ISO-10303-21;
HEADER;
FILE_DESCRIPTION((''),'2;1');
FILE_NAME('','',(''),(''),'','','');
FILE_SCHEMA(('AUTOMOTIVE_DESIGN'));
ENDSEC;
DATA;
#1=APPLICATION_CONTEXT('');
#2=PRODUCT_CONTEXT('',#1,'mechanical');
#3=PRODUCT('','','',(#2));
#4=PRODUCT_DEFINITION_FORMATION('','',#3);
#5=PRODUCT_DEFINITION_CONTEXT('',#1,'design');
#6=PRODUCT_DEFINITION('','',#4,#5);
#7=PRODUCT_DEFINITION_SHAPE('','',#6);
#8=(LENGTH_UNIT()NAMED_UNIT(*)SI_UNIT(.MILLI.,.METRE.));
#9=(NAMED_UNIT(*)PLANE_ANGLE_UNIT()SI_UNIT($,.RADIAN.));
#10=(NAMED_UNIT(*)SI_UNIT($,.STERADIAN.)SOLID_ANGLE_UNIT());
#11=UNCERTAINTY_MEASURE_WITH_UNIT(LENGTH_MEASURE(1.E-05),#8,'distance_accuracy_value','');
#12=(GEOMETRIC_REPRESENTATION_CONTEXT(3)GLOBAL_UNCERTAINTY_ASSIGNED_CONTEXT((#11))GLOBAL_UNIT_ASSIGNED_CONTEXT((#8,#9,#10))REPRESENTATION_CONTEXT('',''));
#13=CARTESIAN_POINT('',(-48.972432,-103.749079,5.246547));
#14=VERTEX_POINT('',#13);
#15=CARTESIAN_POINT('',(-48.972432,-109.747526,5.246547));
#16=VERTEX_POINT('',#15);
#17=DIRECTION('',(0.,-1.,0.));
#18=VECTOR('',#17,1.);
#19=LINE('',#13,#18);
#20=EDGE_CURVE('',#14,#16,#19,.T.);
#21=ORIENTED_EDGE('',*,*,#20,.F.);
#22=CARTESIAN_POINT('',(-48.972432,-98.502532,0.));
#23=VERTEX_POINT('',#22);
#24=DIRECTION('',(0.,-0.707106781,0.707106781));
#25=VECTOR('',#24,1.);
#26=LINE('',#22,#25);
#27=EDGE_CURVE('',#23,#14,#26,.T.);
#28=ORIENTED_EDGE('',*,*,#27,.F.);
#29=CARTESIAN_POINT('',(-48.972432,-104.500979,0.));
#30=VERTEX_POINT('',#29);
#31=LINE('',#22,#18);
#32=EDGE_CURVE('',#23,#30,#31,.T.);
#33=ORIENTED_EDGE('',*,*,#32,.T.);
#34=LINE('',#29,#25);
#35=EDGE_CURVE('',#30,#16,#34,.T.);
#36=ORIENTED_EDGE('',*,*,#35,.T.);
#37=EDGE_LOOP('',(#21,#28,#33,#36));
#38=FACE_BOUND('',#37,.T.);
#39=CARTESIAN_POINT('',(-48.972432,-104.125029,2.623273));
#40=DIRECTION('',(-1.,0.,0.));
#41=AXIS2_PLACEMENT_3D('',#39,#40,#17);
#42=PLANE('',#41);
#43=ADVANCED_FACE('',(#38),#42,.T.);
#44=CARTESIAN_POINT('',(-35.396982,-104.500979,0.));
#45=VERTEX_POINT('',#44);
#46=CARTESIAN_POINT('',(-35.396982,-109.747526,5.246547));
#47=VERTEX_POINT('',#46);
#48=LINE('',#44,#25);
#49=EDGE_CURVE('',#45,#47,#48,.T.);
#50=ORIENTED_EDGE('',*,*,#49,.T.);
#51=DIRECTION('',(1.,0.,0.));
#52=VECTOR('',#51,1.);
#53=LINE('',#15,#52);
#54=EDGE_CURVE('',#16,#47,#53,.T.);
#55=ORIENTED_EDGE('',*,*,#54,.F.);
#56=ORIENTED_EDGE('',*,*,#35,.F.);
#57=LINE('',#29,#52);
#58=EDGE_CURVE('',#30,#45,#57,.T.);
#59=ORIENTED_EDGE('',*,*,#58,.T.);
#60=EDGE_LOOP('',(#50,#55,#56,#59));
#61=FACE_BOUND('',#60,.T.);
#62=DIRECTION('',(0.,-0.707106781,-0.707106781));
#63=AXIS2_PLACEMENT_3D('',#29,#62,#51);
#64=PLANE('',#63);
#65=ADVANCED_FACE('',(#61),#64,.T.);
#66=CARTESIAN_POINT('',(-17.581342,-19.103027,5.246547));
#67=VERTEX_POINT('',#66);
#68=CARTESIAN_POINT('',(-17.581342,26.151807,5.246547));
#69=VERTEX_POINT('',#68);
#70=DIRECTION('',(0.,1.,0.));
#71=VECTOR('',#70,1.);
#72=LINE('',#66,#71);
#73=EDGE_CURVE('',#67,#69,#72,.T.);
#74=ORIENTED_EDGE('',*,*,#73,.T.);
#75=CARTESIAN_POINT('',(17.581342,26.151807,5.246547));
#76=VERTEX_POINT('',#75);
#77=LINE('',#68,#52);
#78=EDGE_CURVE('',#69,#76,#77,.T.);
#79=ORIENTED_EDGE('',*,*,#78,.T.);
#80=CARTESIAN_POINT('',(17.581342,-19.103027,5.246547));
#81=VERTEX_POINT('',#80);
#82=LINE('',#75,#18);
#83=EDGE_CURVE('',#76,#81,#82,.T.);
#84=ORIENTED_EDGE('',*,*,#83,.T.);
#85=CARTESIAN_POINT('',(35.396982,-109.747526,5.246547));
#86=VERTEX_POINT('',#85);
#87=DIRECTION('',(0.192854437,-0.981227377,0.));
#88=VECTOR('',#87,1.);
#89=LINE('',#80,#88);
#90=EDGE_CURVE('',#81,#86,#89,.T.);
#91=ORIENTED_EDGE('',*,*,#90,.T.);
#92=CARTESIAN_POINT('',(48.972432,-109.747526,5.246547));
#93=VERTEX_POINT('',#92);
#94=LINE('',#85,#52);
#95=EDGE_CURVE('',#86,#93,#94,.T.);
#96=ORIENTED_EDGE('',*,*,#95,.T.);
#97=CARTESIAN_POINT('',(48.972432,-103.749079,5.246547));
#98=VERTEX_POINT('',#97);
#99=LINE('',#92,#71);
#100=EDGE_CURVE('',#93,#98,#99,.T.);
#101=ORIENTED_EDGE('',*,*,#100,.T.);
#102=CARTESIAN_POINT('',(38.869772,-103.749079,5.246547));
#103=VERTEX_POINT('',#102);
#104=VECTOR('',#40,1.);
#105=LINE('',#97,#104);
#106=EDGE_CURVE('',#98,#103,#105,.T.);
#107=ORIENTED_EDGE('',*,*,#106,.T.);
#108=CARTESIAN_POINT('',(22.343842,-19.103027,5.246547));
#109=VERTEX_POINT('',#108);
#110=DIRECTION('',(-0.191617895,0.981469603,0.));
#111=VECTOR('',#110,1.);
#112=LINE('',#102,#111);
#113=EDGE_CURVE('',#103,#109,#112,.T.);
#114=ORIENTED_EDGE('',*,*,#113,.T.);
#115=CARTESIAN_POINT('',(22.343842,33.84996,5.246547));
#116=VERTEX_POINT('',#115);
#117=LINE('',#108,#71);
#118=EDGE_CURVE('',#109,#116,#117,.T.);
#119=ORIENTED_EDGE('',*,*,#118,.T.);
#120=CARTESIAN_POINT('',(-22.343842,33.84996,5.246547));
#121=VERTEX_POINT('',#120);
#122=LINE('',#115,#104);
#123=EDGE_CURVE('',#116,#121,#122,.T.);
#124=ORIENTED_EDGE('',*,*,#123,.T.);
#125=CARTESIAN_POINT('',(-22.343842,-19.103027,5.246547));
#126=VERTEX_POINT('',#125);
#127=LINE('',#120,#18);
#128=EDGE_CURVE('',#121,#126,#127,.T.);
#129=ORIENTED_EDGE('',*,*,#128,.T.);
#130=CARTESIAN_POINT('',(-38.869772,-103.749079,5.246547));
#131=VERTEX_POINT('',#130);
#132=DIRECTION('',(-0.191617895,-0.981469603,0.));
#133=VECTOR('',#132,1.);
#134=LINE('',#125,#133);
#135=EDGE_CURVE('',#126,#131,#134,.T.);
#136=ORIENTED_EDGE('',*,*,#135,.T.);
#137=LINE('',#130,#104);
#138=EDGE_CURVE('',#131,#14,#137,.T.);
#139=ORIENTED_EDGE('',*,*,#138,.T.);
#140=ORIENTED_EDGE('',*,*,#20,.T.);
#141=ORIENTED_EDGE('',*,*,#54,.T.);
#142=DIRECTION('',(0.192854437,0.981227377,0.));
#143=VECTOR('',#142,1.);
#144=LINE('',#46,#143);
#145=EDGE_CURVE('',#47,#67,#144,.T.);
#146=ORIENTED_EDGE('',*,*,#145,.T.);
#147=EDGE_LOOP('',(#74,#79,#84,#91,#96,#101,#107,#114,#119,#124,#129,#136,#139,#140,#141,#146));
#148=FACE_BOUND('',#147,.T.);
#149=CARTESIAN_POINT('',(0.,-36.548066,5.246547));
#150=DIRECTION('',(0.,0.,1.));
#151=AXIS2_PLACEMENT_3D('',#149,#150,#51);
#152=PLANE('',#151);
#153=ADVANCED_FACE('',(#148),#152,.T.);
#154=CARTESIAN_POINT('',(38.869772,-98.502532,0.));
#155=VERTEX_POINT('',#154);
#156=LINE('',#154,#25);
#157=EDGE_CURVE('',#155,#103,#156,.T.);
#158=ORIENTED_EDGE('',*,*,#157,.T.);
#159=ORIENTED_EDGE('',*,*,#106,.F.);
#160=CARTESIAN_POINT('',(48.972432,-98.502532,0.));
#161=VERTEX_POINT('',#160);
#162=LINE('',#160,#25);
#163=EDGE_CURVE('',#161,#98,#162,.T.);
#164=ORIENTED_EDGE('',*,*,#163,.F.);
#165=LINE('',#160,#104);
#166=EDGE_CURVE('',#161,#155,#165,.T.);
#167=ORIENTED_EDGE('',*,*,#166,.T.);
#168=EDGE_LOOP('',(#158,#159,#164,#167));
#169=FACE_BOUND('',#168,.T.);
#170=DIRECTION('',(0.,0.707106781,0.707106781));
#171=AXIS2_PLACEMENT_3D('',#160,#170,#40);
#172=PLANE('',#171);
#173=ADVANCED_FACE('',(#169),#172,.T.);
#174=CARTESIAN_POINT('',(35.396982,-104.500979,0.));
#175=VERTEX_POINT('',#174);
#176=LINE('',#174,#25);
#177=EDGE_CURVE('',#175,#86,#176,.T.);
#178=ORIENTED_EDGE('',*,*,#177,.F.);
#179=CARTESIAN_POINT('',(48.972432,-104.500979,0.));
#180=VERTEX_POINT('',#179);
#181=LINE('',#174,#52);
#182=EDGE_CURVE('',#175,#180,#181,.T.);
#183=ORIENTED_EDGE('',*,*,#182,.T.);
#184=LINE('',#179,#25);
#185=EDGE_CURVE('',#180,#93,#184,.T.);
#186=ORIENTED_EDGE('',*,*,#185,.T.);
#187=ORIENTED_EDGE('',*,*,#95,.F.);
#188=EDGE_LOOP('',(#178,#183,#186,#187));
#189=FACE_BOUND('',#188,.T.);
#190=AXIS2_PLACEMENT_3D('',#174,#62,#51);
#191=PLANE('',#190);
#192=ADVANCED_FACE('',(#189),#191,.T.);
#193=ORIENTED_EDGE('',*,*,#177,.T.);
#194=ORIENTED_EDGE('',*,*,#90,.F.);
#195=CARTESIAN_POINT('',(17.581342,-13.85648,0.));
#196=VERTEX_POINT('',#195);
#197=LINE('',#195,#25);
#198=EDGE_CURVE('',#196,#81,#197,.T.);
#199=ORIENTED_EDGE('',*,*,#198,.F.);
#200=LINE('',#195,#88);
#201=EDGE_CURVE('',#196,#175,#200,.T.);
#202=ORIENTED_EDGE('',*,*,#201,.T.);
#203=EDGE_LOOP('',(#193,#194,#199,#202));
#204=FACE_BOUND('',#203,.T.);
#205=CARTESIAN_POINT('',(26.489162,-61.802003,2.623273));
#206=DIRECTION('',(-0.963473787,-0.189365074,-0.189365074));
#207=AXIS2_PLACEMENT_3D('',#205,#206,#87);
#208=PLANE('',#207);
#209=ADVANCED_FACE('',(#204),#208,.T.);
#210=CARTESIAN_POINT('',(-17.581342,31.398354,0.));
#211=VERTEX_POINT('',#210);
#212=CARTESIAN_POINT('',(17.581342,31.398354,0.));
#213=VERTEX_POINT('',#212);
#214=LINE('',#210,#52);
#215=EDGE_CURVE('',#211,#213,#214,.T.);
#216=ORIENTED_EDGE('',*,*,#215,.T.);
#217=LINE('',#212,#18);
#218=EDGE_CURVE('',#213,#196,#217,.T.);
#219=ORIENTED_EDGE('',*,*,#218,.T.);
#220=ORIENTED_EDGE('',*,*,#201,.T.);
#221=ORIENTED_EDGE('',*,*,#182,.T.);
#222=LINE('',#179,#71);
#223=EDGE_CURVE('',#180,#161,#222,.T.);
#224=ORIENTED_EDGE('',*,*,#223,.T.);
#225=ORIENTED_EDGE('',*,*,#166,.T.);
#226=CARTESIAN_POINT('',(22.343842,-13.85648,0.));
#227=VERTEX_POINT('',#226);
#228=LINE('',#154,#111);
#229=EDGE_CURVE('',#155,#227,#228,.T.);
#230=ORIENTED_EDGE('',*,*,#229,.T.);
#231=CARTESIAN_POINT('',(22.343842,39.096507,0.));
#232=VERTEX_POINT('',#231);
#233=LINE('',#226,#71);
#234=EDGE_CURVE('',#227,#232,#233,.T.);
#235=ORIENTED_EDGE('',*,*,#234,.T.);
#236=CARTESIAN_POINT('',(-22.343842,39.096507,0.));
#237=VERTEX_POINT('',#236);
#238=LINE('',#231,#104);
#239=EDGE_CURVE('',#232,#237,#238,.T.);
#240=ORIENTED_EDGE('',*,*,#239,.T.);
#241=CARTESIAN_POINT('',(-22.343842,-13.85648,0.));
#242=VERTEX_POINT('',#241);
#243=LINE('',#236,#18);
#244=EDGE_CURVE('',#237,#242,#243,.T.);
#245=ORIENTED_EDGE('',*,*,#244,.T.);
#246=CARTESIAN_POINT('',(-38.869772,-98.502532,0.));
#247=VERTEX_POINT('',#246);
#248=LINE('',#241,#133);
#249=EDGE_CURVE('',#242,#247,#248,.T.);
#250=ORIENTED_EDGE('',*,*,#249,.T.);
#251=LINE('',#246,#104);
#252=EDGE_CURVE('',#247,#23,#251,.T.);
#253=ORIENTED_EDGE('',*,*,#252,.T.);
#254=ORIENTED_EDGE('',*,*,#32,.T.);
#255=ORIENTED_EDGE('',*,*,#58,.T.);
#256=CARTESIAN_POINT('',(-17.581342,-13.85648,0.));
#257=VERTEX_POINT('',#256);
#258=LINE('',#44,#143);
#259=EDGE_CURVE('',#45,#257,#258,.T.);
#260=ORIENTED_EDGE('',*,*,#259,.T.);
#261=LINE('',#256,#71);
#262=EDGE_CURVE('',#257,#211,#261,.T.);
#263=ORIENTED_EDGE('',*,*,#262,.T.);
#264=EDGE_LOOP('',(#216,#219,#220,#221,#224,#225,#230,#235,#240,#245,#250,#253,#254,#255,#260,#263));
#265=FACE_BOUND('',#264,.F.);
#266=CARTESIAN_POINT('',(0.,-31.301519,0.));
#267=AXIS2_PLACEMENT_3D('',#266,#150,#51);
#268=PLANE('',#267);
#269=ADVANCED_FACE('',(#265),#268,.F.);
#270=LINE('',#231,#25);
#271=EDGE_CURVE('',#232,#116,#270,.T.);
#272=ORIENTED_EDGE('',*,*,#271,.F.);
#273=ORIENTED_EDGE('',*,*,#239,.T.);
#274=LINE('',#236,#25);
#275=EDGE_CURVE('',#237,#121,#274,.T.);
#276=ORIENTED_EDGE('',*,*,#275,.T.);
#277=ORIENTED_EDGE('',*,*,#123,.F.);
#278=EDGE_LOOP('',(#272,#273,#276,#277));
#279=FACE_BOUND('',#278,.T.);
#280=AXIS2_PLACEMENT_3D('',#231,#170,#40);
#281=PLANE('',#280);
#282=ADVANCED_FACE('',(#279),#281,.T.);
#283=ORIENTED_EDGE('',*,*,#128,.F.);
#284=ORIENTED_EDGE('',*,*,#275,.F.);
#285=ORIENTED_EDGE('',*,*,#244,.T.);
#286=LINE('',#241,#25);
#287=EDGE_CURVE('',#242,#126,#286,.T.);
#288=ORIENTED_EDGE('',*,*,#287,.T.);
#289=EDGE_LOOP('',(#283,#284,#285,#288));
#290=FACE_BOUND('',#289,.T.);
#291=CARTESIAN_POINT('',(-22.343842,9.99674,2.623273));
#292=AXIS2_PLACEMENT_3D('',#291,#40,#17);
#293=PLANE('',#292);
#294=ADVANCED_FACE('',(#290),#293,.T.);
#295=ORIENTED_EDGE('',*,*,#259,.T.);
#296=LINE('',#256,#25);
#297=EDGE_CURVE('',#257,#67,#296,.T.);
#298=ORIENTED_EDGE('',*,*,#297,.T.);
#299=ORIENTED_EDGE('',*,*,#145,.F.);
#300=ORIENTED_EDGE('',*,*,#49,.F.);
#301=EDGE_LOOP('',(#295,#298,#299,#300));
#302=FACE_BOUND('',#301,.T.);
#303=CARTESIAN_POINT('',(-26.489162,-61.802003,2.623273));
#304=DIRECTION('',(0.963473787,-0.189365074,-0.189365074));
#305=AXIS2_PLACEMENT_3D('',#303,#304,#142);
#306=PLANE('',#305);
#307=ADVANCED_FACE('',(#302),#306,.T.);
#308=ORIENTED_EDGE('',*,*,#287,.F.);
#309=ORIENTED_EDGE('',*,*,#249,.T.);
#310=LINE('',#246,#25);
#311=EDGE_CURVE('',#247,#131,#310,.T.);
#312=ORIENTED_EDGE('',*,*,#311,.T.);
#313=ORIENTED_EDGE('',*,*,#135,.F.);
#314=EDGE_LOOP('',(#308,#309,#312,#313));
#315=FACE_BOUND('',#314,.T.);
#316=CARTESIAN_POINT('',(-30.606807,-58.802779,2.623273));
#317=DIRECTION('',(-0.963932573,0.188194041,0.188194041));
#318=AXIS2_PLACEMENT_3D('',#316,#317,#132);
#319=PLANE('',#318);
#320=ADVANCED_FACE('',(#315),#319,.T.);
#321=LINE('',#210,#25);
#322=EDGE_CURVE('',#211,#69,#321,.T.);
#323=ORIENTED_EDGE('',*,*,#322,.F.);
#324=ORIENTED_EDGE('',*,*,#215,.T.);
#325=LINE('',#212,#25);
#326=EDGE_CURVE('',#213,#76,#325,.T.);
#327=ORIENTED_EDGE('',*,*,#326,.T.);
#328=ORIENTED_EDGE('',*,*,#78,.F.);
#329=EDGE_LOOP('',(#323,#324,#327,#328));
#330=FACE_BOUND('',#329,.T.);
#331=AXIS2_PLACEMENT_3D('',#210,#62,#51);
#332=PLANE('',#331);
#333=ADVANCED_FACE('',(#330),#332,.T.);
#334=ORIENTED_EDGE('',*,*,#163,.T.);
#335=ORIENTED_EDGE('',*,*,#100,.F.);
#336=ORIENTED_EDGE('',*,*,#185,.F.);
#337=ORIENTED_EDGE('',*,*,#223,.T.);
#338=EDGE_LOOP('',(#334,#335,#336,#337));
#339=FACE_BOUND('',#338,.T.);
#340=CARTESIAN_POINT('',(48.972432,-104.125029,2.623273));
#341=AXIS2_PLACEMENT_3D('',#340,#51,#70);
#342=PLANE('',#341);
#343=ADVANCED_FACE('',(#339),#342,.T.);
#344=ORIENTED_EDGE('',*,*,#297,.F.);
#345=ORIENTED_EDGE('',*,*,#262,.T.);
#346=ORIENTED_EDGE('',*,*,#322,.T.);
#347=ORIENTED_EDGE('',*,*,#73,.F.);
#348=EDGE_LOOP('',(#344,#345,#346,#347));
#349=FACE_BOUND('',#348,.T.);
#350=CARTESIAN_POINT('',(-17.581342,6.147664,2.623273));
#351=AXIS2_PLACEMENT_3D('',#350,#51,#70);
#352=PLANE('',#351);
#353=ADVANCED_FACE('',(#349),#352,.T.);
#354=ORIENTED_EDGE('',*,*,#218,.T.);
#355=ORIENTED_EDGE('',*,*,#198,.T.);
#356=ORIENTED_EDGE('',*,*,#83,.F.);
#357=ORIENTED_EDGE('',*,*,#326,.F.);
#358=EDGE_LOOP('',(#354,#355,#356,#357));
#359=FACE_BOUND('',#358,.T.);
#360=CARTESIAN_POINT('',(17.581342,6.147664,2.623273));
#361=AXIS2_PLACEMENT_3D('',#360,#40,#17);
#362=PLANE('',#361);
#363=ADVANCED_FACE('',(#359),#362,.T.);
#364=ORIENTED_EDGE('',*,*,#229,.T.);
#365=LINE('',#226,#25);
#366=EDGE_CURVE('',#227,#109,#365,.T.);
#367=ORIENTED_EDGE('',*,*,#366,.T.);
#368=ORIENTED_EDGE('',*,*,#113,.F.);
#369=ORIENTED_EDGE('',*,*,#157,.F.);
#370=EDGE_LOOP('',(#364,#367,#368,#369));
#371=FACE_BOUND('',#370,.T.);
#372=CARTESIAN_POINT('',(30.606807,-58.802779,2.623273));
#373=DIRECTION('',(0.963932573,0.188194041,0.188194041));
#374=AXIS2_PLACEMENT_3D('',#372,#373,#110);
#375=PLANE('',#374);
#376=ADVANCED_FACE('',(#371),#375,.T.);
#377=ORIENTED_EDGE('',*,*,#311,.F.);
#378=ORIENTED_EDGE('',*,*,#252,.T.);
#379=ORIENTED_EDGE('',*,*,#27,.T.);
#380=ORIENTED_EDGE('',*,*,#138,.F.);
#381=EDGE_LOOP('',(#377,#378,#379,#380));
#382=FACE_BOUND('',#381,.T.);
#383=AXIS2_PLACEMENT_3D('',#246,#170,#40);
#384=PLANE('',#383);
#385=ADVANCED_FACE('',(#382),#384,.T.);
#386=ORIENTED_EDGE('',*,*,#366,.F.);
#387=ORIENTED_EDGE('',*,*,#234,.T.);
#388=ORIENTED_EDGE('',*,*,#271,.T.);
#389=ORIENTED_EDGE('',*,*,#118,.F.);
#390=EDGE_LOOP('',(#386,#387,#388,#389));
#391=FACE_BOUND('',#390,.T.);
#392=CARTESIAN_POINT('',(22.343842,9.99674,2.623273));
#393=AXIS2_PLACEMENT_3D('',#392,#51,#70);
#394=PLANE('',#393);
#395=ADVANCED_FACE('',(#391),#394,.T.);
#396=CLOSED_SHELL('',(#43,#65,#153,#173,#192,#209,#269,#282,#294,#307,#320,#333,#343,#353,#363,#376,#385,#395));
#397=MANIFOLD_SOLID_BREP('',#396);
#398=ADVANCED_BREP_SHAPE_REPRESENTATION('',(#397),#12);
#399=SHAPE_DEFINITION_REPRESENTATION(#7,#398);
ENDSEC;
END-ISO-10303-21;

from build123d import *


with BuildPart() as f2:
    # F2: sweep along a path in F1
    with BuildLine(Plane.YZ) as f2_path:
        Line((0, 0), (-5.2465468888, 5.2465468888))
    # F0 (on Top) → F2 (sweep)
    with BuildSketch(Plane.XY):
        Polygon((-17.5813417882, -13.8564798981), (-17.5813417882, 31.3983540978), (17.5813417882, 31.3983540978), (17.5813417882, -13.8564798981), (35.3969819844, -104.5009791851), (38.8697721064, -104.5009791851), (48.9724315703, -104.5009791851), (48.9724315703, -98.5025316477), (38.8697721064, -98.5025316477), (22.3438417882, -13.8564798981), (22.3438417882, 39.0965069434), (0, 39.0965069434), (-22.3438417882, 39.0965069434), (-22.3438417882, -13.8564798981), (-38.8697721064, -98.5025316477), (-48.9724315703, -98.5025316477), (-48.9724315703, -104.5009791851), (-38.8697721064, -104.5009791851), (-35.3969819844, -104.5009791851), align=None)
    sweep(path=f2_path.line)


solid = f2.part
